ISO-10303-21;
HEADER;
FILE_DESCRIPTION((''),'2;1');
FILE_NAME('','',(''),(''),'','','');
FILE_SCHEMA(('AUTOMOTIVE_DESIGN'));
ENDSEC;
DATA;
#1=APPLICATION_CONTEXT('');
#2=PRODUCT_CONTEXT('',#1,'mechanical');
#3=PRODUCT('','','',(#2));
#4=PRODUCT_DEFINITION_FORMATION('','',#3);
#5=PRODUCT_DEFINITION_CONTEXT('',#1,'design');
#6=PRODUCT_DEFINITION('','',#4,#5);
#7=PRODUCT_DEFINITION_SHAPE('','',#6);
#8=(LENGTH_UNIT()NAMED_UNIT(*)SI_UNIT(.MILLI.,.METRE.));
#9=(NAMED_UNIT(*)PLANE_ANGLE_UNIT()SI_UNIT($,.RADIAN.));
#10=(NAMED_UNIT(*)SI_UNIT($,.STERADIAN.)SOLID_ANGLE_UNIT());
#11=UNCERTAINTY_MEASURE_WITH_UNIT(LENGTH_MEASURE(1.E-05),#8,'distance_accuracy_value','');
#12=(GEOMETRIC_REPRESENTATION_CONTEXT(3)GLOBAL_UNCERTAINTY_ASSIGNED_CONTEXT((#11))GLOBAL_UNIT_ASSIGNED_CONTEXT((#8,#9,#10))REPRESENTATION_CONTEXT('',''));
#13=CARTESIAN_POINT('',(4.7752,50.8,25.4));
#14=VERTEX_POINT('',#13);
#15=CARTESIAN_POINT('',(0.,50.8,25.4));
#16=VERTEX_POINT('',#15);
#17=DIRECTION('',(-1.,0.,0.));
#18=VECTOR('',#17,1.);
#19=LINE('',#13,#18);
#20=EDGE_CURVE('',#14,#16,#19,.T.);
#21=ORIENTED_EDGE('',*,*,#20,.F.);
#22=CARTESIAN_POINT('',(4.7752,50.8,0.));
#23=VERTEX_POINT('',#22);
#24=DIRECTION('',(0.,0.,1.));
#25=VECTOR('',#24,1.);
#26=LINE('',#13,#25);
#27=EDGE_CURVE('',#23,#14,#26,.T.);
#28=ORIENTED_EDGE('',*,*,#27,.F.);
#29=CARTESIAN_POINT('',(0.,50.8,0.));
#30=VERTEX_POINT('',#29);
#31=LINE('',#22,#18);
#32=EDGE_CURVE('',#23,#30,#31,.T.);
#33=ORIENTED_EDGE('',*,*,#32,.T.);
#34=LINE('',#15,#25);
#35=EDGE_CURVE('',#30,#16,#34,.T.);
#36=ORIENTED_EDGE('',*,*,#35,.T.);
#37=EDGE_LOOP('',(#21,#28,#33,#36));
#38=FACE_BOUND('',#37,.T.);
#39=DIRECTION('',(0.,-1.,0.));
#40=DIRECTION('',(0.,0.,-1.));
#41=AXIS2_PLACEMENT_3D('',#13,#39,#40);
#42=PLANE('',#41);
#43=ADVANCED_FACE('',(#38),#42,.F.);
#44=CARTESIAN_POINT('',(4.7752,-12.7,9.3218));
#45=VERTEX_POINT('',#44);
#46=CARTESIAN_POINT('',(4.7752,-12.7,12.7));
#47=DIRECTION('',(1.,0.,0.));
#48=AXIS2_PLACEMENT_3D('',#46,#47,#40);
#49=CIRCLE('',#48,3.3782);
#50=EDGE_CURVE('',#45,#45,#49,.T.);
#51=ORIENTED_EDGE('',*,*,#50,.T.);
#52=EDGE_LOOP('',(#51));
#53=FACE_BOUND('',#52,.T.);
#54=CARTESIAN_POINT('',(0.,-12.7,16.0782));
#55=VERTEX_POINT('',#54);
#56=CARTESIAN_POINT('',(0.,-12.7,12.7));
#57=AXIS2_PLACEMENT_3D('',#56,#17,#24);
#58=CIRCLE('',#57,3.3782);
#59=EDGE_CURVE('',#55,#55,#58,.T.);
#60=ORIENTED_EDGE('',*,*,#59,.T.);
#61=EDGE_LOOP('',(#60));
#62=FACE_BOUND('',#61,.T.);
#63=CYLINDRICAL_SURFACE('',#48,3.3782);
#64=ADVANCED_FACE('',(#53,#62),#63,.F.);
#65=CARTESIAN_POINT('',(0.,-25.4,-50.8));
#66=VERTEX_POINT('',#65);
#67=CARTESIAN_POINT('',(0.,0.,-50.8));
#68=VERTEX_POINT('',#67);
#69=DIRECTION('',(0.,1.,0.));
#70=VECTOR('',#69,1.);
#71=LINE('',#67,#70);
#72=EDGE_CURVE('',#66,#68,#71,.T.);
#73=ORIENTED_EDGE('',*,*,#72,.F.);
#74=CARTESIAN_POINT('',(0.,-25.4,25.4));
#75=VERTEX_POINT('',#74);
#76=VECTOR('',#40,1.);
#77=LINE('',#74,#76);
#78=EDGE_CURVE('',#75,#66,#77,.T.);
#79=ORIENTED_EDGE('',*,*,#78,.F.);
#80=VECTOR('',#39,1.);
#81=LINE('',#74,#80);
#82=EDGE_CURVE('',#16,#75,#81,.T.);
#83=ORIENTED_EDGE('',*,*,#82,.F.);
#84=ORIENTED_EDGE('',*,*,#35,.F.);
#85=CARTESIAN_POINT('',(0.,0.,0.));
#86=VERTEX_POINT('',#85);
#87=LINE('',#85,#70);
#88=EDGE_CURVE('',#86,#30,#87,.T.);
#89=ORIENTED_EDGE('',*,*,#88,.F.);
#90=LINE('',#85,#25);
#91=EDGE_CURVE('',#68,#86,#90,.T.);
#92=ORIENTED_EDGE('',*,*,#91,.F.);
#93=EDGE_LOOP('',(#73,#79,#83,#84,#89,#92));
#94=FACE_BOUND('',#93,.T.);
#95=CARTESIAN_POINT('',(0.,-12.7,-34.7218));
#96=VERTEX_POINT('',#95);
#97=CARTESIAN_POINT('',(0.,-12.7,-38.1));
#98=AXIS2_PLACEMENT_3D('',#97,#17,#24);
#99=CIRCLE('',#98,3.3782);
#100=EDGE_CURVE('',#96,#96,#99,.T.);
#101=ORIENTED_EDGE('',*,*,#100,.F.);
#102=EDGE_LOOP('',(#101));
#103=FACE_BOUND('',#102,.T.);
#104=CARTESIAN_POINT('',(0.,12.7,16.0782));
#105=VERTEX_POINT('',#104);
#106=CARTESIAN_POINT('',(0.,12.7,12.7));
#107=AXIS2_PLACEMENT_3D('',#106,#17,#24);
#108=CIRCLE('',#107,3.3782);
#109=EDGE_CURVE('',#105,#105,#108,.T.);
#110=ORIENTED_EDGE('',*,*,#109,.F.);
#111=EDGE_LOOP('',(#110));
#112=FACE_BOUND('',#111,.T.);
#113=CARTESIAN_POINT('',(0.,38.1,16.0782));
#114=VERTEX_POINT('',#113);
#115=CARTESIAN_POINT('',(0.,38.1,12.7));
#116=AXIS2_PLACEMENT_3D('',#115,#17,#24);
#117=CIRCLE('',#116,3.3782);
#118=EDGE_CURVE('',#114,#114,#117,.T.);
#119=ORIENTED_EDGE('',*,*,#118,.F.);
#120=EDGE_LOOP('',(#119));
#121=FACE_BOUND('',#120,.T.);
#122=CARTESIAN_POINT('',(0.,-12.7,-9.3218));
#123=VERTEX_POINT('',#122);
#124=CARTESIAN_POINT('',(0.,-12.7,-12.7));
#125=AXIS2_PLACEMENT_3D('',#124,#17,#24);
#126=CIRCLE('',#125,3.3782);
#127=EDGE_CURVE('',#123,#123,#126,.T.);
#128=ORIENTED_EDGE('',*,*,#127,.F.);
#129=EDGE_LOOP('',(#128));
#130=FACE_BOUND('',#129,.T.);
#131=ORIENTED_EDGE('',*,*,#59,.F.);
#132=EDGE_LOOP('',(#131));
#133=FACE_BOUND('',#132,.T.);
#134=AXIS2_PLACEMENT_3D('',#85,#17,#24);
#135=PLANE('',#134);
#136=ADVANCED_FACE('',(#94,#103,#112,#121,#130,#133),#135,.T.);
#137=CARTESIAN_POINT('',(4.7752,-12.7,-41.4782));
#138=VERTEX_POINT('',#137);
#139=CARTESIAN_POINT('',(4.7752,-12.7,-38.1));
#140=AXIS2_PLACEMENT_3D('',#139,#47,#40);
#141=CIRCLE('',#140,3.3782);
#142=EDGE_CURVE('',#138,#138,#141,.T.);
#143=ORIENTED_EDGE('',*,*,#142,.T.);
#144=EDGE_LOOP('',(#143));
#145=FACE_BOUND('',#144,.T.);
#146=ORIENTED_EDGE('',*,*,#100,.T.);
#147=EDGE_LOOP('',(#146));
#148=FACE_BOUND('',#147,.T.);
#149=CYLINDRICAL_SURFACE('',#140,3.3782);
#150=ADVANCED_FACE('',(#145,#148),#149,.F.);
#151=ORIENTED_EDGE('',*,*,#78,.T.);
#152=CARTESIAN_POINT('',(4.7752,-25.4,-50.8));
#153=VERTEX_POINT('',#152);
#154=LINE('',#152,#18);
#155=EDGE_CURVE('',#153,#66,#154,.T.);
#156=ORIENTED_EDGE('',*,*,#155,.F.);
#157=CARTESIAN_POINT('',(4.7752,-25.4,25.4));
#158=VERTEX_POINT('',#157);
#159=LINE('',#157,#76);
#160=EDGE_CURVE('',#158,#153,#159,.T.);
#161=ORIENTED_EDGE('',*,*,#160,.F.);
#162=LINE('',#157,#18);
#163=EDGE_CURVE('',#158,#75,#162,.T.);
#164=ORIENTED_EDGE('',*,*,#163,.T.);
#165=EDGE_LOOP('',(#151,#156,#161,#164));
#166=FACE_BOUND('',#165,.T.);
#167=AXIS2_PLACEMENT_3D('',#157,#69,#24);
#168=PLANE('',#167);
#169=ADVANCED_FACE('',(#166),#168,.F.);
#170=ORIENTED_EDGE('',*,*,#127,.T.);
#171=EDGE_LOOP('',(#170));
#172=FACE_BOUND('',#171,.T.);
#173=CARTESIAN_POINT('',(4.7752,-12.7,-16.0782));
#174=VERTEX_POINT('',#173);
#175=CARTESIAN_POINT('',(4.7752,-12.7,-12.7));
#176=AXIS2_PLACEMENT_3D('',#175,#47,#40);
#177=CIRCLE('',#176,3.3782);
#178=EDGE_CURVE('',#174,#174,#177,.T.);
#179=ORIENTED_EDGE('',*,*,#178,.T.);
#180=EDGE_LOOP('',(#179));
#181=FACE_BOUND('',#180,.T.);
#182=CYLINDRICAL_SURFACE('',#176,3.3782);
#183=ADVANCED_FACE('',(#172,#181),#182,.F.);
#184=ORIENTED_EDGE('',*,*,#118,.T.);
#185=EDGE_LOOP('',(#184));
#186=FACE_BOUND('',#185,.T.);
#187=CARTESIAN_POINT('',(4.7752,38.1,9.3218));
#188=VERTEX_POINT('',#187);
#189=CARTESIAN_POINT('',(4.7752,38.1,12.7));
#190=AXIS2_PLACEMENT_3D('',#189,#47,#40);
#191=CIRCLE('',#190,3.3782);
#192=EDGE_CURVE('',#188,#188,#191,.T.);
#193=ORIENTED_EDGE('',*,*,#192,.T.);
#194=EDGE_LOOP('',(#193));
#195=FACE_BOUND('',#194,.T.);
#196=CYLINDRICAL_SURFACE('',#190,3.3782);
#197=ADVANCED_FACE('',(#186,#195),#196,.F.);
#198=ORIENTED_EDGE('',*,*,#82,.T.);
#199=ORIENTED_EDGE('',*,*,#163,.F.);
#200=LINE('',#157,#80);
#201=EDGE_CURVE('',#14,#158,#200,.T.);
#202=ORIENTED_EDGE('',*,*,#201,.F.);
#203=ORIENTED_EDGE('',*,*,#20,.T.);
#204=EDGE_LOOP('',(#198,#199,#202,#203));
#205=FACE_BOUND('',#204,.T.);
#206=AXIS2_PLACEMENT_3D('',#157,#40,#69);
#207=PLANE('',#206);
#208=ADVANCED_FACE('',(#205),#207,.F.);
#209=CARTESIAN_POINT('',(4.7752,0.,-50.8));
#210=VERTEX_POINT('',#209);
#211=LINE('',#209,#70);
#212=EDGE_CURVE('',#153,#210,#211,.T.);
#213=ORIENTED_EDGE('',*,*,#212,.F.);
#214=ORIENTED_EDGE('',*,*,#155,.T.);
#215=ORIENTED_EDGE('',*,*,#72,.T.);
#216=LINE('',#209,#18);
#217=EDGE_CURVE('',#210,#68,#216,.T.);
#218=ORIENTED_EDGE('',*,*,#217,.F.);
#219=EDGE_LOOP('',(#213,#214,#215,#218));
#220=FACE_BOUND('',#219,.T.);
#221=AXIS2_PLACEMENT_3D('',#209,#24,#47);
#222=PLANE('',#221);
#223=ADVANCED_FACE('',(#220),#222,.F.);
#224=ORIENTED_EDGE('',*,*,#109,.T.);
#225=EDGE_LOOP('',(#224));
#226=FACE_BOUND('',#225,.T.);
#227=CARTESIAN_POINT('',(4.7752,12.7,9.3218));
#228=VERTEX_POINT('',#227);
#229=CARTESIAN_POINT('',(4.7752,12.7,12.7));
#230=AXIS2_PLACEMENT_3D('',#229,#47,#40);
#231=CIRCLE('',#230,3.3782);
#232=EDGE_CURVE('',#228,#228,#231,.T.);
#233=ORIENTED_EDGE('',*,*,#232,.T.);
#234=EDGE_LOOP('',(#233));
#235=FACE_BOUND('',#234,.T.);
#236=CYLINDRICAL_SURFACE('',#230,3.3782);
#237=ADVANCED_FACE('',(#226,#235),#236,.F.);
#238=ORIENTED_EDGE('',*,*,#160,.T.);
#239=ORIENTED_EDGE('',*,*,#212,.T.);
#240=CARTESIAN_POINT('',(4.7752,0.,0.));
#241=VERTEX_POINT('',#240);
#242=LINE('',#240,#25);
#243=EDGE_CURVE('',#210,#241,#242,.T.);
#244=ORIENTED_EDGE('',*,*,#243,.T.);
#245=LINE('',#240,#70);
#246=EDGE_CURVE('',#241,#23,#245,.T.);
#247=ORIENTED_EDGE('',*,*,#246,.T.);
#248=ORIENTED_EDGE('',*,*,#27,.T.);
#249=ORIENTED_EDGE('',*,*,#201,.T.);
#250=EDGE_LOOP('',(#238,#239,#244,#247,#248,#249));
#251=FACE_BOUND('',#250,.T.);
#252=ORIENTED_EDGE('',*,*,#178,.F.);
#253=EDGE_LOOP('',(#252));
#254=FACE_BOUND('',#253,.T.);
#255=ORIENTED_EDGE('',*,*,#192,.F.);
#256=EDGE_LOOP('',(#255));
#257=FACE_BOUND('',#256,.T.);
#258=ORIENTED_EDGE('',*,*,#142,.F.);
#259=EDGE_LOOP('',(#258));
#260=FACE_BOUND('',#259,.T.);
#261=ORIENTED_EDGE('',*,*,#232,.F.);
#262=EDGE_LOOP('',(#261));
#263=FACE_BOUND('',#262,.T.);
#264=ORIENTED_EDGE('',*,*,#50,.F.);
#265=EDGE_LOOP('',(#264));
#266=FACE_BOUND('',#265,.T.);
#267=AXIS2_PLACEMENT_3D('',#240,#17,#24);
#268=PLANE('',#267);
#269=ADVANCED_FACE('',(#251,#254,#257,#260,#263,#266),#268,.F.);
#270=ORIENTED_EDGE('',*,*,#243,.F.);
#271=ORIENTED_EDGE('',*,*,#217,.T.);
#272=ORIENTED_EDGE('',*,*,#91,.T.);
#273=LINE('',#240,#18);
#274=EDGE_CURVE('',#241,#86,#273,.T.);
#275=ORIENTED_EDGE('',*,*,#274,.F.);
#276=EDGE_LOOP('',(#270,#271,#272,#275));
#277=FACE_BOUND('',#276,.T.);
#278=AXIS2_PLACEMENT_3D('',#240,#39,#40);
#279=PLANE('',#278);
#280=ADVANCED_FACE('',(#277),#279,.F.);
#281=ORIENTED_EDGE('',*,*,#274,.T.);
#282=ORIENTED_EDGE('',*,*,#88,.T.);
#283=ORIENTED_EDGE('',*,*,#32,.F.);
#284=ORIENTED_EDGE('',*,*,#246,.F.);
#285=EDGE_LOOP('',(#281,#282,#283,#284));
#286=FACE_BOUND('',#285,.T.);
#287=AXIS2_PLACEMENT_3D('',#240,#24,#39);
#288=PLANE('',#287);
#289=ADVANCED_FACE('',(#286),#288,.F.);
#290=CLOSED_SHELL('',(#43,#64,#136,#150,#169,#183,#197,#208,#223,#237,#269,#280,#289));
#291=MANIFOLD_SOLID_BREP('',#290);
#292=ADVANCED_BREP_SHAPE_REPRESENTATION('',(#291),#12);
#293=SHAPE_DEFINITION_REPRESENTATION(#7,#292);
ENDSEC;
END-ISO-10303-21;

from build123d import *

# Parameters (mm, degrees)
BOSS_EXTRUDE1_DEPTH         = 4.7752
F_1_4_CLEARANCE_HOLE1_D     = 6.7564
F_1_4_CLEARANCE_HOLE1_DEPTH = 14.478
F_1_4_CLEARANCE_HOLE1_TIP   = 2.029827343


with BuildPart() as part:
    # Sketch1 → Boss-Extrude1 (new body)
    with BuildSketch(Plane(origin=(0, 0, 0), x_dir=(0, 0, -1), z_dir=(1, 0, 0))):
        Polygon((0, 0), (0, 50.8), (-25.4, 50.8), (-25.4, -25.4), (50.8, -25.4), (50.8, 0), align=None)
    extrude(amount=BOSS_EXTRUDE1_DEPTH)

    # 1/4 Clearance Hole1
    with Locations(Plane(origin=(4.7752, 0, 0), x_dir=(0, 0, -1), z_dir=(1, 0, 0))):
        with Locations((-12.7, -12.7), (12.7, -12.7), (38.1, -12.7), (-12.7, 12.7), (-12.7, 38.1)):
            Hole(F_1_4_CLEARANCE_HOLE1_D / 2, depth=F_1_4_CLEARANCE_HOLE1_DEPTH)
            with Locations((0, 0, -(F_1_4_CLEARANCE_HOLE1_DEPTH + F_1_4_CLEARANCE_HOLE1_TIP / 2))):  # 118° drill point
                Cone(0, F_1_4_CLEARANCE_HOLE1_D / 2, F_1_4_CLEARANCE_HOLE1_TIP, mode=Mode.SUBTRACT)


solid = part.part
